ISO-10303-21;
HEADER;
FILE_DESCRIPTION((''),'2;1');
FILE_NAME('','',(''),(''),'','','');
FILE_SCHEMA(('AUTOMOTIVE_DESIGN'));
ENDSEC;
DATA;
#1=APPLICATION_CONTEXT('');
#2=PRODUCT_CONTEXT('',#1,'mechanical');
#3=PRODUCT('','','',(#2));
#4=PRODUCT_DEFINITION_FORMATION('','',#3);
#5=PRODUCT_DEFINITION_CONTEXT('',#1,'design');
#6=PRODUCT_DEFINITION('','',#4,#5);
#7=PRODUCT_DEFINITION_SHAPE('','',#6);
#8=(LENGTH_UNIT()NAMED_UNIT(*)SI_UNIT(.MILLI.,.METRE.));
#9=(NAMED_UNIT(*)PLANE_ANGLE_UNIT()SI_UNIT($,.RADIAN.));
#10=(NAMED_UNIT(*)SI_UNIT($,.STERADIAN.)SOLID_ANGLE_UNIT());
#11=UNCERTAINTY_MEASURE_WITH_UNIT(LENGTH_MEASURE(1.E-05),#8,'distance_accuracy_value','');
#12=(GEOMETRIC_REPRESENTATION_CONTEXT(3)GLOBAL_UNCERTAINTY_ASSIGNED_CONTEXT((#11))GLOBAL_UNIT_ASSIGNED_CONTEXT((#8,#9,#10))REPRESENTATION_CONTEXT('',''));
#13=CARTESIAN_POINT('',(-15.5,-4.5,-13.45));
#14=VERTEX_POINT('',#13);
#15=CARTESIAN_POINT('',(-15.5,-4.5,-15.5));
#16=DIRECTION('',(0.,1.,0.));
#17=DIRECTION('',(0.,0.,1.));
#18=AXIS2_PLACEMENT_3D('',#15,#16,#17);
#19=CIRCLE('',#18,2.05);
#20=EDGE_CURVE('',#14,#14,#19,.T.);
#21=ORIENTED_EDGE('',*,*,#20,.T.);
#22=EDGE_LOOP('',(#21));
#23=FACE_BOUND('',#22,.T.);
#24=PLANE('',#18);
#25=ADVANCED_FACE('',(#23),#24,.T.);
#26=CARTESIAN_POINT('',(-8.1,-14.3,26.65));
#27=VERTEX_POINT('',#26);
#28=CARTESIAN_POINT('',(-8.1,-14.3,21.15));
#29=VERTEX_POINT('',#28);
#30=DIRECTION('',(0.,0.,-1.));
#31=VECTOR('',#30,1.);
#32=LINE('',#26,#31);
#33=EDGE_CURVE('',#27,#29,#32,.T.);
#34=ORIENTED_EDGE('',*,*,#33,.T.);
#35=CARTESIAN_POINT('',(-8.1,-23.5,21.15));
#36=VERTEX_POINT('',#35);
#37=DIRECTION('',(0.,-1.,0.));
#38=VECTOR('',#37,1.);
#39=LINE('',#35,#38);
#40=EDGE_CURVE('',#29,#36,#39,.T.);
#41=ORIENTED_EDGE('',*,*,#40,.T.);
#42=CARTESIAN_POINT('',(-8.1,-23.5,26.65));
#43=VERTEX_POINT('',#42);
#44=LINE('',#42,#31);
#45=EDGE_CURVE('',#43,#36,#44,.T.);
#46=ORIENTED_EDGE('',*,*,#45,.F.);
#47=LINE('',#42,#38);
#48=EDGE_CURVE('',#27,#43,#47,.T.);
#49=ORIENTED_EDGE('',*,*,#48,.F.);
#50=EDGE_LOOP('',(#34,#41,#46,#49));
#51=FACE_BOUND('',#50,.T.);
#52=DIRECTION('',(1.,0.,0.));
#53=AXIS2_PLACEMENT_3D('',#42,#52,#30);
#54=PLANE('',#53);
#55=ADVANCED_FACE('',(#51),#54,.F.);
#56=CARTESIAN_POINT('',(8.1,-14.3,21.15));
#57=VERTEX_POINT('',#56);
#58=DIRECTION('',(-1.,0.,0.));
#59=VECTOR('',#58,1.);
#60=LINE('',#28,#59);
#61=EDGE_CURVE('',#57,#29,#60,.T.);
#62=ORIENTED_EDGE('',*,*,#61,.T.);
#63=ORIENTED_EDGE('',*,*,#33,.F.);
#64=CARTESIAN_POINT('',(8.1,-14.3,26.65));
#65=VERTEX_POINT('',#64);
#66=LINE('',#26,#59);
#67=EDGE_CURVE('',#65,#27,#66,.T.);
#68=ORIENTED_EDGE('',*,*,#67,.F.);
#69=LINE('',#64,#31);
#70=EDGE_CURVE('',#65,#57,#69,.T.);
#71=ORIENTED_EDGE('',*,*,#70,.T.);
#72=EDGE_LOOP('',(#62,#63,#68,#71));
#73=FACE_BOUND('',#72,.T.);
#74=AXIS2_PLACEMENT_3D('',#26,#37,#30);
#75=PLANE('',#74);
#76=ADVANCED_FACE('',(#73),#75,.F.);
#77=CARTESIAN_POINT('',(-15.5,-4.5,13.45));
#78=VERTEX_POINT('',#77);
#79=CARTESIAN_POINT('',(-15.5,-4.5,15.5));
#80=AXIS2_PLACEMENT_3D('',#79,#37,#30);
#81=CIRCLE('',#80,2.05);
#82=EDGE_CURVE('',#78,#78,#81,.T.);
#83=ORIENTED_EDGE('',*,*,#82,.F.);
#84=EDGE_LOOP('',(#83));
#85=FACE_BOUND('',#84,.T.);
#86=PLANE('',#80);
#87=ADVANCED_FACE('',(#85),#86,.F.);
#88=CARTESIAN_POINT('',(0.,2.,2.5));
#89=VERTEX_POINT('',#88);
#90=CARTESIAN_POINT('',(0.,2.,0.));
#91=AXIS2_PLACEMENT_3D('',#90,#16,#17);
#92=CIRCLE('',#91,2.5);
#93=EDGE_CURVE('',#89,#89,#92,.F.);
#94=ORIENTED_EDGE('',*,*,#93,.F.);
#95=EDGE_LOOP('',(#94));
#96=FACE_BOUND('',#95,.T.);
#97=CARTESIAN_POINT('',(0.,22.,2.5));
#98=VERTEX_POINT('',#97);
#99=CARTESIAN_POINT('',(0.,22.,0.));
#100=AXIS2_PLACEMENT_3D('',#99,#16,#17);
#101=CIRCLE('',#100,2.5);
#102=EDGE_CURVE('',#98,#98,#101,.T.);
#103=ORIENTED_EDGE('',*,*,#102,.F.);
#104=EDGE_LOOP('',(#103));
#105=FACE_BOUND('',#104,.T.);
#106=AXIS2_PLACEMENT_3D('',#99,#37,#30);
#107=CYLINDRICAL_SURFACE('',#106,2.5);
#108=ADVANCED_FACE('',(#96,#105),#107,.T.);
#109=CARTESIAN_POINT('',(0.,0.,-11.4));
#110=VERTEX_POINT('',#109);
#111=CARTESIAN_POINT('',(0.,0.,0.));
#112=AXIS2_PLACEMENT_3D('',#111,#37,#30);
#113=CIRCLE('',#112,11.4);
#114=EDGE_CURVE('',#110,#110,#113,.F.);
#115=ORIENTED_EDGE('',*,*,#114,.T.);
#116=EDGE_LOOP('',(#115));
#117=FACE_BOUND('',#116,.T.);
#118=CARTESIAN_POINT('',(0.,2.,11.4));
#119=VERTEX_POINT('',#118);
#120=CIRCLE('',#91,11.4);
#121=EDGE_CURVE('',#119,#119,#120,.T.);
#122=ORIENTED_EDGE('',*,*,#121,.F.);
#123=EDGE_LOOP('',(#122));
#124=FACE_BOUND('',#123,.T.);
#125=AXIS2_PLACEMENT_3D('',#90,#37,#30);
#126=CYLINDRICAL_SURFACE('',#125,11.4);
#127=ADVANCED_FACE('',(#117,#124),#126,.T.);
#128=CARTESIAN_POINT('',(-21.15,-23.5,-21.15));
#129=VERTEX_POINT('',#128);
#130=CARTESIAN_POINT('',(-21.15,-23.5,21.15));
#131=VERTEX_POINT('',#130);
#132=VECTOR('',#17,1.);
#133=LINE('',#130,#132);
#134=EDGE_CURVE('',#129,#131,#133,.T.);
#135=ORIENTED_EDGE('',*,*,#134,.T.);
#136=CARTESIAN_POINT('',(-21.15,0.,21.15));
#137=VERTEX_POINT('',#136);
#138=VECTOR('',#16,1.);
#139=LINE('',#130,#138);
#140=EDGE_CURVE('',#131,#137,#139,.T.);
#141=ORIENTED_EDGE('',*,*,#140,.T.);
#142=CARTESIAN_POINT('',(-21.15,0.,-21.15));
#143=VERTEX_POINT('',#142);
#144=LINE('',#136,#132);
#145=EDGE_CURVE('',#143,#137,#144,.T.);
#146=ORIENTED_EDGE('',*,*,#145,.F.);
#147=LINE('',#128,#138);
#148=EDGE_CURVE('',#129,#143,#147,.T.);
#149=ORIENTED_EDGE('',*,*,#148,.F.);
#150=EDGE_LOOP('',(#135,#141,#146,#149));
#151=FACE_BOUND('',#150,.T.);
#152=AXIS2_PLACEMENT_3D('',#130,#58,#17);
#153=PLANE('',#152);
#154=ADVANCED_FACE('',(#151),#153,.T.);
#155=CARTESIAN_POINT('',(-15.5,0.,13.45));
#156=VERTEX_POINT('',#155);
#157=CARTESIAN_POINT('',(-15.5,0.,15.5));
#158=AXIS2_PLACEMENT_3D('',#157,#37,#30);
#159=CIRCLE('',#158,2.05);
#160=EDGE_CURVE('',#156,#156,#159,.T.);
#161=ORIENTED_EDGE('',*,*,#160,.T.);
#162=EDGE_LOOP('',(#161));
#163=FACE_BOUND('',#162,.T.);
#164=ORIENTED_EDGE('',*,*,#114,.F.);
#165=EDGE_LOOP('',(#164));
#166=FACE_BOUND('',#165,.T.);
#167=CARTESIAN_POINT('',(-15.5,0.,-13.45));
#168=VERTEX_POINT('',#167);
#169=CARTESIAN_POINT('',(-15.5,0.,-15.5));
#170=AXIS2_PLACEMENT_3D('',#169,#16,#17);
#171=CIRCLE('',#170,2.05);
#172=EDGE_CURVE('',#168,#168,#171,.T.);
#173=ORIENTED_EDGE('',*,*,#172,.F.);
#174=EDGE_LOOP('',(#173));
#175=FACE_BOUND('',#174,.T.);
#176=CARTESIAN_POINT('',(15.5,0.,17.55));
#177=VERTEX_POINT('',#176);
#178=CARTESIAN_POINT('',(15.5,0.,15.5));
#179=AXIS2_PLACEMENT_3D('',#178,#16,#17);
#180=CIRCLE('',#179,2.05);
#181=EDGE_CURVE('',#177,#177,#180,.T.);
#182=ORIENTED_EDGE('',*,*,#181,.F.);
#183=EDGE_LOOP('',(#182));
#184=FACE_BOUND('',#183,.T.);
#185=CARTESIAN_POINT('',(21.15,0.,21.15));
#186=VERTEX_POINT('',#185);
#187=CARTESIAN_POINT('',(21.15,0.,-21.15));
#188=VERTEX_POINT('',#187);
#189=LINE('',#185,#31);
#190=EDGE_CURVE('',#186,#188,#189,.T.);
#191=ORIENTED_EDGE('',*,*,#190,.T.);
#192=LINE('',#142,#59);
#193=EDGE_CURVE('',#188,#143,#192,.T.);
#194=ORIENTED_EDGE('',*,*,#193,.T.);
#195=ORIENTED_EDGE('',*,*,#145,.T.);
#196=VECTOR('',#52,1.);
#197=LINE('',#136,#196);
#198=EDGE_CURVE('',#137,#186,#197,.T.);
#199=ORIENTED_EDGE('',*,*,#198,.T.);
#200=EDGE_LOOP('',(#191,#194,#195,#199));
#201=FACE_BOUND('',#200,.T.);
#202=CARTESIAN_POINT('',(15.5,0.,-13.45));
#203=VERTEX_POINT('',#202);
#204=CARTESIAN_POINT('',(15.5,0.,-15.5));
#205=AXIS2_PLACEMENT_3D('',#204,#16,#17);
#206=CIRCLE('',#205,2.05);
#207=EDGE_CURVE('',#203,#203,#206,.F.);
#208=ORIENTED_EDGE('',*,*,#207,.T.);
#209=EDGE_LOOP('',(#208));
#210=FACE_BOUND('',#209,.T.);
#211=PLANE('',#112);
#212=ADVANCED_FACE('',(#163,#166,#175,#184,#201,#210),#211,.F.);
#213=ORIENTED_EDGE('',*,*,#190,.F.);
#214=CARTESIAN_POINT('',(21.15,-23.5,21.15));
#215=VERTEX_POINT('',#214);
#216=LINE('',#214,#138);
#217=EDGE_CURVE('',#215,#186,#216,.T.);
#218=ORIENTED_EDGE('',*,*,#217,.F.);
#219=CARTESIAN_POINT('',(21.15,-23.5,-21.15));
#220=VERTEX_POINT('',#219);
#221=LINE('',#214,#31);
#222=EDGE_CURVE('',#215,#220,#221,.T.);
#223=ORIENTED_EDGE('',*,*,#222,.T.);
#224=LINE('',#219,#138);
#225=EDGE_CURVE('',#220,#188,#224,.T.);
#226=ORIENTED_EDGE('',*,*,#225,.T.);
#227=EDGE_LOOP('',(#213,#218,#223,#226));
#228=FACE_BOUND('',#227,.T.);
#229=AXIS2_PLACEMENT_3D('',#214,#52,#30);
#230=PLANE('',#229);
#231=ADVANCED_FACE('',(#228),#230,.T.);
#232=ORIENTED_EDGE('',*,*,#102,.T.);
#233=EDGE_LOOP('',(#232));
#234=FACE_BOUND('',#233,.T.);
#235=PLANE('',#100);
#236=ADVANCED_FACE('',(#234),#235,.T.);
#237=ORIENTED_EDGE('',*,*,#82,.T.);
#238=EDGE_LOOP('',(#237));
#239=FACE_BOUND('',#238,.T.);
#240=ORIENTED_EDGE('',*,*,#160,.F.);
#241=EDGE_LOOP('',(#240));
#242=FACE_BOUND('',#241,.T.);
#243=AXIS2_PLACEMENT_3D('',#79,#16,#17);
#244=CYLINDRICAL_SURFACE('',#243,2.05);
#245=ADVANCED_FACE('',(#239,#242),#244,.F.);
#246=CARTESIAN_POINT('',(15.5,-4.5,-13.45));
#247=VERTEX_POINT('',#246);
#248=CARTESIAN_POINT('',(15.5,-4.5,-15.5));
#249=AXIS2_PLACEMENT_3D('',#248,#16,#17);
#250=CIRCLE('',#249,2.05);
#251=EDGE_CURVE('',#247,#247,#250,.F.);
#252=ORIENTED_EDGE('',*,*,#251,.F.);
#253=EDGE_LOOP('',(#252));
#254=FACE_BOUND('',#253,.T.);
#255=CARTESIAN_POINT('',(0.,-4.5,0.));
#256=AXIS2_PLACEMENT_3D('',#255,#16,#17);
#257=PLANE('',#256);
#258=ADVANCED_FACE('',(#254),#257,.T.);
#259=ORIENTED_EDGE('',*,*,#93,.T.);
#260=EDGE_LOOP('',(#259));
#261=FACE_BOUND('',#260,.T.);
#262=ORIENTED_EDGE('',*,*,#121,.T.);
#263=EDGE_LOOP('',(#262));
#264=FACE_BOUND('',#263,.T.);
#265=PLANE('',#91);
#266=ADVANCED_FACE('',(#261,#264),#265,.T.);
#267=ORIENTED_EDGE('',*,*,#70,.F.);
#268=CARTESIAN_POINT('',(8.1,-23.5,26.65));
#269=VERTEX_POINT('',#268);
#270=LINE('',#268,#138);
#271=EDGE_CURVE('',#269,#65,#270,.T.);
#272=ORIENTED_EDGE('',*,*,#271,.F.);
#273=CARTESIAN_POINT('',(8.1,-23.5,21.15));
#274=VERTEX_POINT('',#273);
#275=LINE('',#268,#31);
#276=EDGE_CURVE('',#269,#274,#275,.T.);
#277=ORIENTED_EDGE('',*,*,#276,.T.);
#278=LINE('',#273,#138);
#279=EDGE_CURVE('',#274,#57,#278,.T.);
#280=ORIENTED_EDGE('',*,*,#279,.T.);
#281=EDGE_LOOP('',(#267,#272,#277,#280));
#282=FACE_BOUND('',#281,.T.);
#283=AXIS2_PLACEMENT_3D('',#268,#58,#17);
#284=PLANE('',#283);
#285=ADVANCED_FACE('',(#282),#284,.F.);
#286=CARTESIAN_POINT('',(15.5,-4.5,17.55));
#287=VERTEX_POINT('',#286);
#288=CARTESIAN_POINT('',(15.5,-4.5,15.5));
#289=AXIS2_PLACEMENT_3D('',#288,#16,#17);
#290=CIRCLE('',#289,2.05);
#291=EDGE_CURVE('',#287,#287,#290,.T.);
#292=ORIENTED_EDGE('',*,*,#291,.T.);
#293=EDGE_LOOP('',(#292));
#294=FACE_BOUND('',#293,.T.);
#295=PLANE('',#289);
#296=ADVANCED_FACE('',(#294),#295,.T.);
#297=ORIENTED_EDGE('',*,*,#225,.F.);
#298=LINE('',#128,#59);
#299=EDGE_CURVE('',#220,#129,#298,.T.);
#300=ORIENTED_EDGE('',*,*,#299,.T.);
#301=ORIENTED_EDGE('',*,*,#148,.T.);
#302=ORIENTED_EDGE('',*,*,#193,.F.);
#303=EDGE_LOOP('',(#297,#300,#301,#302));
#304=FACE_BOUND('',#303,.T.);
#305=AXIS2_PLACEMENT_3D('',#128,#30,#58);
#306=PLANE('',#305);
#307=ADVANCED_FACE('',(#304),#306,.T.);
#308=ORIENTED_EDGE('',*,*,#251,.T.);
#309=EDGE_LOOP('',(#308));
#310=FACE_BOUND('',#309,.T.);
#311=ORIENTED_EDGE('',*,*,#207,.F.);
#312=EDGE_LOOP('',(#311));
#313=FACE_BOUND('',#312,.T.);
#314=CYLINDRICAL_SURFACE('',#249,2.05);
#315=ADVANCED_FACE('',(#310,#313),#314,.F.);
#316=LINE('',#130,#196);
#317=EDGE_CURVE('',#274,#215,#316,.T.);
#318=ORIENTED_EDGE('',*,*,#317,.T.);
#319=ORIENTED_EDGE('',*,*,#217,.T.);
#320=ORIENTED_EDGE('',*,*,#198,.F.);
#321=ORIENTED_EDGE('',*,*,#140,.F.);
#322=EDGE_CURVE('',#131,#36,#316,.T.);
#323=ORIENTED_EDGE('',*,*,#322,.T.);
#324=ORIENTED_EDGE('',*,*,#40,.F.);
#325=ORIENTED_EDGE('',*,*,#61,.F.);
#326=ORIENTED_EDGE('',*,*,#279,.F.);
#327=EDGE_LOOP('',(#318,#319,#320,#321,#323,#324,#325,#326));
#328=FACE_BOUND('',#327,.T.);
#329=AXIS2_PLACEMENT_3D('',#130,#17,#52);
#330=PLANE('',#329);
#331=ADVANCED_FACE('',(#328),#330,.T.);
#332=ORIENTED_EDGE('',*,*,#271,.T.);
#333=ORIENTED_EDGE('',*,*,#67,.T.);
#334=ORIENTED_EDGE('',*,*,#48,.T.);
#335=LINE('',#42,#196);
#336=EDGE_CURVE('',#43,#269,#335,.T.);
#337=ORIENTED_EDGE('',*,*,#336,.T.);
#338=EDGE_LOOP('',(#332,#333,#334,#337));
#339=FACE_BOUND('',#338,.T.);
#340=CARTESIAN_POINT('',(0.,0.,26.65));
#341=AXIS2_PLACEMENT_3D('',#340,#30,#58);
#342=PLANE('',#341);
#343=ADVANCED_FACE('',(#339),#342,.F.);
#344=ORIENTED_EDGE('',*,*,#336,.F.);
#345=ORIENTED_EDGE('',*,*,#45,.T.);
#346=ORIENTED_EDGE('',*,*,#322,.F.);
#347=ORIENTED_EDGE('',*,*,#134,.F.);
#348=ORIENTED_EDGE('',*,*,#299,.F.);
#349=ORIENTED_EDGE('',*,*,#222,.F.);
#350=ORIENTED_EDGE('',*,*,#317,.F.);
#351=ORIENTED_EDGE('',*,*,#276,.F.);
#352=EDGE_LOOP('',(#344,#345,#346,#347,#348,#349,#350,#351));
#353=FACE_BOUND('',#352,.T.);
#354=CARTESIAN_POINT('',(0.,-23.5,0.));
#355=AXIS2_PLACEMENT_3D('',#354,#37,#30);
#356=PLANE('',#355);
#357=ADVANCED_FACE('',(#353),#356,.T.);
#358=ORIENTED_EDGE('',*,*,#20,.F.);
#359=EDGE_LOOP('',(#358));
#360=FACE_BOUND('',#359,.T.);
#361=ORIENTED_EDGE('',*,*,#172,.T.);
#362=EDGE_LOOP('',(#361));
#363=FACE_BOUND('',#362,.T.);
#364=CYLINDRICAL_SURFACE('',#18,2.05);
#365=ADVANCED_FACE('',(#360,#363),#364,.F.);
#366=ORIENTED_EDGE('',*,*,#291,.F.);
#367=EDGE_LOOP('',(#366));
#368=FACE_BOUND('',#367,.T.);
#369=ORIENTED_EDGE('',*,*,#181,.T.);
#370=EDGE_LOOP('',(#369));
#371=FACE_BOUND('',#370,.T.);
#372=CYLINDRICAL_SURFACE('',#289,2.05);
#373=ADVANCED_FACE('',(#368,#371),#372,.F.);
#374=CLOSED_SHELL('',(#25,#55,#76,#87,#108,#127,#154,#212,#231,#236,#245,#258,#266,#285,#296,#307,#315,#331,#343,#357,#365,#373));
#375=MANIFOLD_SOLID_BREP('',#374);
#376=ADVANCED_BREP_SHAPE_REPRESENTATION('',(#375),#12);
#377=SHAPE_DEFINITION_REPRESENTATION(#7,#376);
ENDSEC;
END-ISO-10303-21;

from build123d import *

# Parameters (mm, degrees)
SKETCH1_W           = 42.3
SKETCH1_H           = 42.3
BOSS_EXTRUDE1_DEPTH = 23.5
SKETCH2_R           = 2.05
CUT_EXTRUDE1_DEPTH  = 4.5
SKETCH3_R           = 11.4
BOSS_EXTRUDE2_DEPTH = 2
SKETCH3_3_R         = 2.5
BOSS_EXTRUDE3_DEPTH = 22
SKETCH4_W           = 16.2
SKETCH4_H           = 9.2
BOSS_EXTRUDE4_DEPTH = 5.5


with BuildPart() as part:
    # Sketch1 → Boss-Extrude1 (new body)
    with BuildSketch(Plane(origin=(0, 0, 0), x_dir=(1, 0, 0), z_dir=(0, 1, 0))):
        Rectangle(SKETCH1_W, SKETCH1_H)
    extrude(amount=-BOSS_EXTRUDE1_DEPTH)

    # Sketch2 → Cut-Extrude1 (cut)
    with BuildSketch(Plane(origin=(0, 0, 0), x_dir=(1, 0, 0), z_dir=(0, 1, 0))):
        with Locations((-15.5, -15.5)):
            Circle(SKETCH2_R)
        with Locations((15.5, -15.5)):
            Circle(SKETCH2_R)
        with Locations((-15.5, 15.5)):
            Circle(SKETCH2_R)
        with Locations((15.5, 15.5)):
            Circle(SKETCH2_R)
    extrude(amount=-CUT_EXTRUDE1_DEPTH, mode=Mode.SUBTRACT)

    # Sketch3 → Boss-Extrude2 (add)
    with BuildSketch(Plane(origin=(0, 0, 0), x_dir=(1, 0, 0), z_dir=(0, 1, 0))):
        Circle(SKETCH3_R)
    extrude(amount=BOSS_EXTRUDE2_DEPTH)

    # Sketch3<3> → Boss-Extrude3 (add)
    with BuildSketch(Plane(origin=(0, 0, 0), x_dir=(1, 0, 0), z_dir=(0, 1, 0))):
        Circle(SKETCH3_3_R)
    extrude(amount=BOSS_EXTRUDE3_DEPTH)

    # Sketch4 → Boss-Extrude4 (add)
    with BuildSketch(Plane.XY.offset(21.15)):
        with Locations((0, -18.9)):
            Rectangle(SKETCH4_W, SKETCH4_H)
    extrude(amount=BOSS_EXTRUDE4_DEPTH)


solid = part.part
